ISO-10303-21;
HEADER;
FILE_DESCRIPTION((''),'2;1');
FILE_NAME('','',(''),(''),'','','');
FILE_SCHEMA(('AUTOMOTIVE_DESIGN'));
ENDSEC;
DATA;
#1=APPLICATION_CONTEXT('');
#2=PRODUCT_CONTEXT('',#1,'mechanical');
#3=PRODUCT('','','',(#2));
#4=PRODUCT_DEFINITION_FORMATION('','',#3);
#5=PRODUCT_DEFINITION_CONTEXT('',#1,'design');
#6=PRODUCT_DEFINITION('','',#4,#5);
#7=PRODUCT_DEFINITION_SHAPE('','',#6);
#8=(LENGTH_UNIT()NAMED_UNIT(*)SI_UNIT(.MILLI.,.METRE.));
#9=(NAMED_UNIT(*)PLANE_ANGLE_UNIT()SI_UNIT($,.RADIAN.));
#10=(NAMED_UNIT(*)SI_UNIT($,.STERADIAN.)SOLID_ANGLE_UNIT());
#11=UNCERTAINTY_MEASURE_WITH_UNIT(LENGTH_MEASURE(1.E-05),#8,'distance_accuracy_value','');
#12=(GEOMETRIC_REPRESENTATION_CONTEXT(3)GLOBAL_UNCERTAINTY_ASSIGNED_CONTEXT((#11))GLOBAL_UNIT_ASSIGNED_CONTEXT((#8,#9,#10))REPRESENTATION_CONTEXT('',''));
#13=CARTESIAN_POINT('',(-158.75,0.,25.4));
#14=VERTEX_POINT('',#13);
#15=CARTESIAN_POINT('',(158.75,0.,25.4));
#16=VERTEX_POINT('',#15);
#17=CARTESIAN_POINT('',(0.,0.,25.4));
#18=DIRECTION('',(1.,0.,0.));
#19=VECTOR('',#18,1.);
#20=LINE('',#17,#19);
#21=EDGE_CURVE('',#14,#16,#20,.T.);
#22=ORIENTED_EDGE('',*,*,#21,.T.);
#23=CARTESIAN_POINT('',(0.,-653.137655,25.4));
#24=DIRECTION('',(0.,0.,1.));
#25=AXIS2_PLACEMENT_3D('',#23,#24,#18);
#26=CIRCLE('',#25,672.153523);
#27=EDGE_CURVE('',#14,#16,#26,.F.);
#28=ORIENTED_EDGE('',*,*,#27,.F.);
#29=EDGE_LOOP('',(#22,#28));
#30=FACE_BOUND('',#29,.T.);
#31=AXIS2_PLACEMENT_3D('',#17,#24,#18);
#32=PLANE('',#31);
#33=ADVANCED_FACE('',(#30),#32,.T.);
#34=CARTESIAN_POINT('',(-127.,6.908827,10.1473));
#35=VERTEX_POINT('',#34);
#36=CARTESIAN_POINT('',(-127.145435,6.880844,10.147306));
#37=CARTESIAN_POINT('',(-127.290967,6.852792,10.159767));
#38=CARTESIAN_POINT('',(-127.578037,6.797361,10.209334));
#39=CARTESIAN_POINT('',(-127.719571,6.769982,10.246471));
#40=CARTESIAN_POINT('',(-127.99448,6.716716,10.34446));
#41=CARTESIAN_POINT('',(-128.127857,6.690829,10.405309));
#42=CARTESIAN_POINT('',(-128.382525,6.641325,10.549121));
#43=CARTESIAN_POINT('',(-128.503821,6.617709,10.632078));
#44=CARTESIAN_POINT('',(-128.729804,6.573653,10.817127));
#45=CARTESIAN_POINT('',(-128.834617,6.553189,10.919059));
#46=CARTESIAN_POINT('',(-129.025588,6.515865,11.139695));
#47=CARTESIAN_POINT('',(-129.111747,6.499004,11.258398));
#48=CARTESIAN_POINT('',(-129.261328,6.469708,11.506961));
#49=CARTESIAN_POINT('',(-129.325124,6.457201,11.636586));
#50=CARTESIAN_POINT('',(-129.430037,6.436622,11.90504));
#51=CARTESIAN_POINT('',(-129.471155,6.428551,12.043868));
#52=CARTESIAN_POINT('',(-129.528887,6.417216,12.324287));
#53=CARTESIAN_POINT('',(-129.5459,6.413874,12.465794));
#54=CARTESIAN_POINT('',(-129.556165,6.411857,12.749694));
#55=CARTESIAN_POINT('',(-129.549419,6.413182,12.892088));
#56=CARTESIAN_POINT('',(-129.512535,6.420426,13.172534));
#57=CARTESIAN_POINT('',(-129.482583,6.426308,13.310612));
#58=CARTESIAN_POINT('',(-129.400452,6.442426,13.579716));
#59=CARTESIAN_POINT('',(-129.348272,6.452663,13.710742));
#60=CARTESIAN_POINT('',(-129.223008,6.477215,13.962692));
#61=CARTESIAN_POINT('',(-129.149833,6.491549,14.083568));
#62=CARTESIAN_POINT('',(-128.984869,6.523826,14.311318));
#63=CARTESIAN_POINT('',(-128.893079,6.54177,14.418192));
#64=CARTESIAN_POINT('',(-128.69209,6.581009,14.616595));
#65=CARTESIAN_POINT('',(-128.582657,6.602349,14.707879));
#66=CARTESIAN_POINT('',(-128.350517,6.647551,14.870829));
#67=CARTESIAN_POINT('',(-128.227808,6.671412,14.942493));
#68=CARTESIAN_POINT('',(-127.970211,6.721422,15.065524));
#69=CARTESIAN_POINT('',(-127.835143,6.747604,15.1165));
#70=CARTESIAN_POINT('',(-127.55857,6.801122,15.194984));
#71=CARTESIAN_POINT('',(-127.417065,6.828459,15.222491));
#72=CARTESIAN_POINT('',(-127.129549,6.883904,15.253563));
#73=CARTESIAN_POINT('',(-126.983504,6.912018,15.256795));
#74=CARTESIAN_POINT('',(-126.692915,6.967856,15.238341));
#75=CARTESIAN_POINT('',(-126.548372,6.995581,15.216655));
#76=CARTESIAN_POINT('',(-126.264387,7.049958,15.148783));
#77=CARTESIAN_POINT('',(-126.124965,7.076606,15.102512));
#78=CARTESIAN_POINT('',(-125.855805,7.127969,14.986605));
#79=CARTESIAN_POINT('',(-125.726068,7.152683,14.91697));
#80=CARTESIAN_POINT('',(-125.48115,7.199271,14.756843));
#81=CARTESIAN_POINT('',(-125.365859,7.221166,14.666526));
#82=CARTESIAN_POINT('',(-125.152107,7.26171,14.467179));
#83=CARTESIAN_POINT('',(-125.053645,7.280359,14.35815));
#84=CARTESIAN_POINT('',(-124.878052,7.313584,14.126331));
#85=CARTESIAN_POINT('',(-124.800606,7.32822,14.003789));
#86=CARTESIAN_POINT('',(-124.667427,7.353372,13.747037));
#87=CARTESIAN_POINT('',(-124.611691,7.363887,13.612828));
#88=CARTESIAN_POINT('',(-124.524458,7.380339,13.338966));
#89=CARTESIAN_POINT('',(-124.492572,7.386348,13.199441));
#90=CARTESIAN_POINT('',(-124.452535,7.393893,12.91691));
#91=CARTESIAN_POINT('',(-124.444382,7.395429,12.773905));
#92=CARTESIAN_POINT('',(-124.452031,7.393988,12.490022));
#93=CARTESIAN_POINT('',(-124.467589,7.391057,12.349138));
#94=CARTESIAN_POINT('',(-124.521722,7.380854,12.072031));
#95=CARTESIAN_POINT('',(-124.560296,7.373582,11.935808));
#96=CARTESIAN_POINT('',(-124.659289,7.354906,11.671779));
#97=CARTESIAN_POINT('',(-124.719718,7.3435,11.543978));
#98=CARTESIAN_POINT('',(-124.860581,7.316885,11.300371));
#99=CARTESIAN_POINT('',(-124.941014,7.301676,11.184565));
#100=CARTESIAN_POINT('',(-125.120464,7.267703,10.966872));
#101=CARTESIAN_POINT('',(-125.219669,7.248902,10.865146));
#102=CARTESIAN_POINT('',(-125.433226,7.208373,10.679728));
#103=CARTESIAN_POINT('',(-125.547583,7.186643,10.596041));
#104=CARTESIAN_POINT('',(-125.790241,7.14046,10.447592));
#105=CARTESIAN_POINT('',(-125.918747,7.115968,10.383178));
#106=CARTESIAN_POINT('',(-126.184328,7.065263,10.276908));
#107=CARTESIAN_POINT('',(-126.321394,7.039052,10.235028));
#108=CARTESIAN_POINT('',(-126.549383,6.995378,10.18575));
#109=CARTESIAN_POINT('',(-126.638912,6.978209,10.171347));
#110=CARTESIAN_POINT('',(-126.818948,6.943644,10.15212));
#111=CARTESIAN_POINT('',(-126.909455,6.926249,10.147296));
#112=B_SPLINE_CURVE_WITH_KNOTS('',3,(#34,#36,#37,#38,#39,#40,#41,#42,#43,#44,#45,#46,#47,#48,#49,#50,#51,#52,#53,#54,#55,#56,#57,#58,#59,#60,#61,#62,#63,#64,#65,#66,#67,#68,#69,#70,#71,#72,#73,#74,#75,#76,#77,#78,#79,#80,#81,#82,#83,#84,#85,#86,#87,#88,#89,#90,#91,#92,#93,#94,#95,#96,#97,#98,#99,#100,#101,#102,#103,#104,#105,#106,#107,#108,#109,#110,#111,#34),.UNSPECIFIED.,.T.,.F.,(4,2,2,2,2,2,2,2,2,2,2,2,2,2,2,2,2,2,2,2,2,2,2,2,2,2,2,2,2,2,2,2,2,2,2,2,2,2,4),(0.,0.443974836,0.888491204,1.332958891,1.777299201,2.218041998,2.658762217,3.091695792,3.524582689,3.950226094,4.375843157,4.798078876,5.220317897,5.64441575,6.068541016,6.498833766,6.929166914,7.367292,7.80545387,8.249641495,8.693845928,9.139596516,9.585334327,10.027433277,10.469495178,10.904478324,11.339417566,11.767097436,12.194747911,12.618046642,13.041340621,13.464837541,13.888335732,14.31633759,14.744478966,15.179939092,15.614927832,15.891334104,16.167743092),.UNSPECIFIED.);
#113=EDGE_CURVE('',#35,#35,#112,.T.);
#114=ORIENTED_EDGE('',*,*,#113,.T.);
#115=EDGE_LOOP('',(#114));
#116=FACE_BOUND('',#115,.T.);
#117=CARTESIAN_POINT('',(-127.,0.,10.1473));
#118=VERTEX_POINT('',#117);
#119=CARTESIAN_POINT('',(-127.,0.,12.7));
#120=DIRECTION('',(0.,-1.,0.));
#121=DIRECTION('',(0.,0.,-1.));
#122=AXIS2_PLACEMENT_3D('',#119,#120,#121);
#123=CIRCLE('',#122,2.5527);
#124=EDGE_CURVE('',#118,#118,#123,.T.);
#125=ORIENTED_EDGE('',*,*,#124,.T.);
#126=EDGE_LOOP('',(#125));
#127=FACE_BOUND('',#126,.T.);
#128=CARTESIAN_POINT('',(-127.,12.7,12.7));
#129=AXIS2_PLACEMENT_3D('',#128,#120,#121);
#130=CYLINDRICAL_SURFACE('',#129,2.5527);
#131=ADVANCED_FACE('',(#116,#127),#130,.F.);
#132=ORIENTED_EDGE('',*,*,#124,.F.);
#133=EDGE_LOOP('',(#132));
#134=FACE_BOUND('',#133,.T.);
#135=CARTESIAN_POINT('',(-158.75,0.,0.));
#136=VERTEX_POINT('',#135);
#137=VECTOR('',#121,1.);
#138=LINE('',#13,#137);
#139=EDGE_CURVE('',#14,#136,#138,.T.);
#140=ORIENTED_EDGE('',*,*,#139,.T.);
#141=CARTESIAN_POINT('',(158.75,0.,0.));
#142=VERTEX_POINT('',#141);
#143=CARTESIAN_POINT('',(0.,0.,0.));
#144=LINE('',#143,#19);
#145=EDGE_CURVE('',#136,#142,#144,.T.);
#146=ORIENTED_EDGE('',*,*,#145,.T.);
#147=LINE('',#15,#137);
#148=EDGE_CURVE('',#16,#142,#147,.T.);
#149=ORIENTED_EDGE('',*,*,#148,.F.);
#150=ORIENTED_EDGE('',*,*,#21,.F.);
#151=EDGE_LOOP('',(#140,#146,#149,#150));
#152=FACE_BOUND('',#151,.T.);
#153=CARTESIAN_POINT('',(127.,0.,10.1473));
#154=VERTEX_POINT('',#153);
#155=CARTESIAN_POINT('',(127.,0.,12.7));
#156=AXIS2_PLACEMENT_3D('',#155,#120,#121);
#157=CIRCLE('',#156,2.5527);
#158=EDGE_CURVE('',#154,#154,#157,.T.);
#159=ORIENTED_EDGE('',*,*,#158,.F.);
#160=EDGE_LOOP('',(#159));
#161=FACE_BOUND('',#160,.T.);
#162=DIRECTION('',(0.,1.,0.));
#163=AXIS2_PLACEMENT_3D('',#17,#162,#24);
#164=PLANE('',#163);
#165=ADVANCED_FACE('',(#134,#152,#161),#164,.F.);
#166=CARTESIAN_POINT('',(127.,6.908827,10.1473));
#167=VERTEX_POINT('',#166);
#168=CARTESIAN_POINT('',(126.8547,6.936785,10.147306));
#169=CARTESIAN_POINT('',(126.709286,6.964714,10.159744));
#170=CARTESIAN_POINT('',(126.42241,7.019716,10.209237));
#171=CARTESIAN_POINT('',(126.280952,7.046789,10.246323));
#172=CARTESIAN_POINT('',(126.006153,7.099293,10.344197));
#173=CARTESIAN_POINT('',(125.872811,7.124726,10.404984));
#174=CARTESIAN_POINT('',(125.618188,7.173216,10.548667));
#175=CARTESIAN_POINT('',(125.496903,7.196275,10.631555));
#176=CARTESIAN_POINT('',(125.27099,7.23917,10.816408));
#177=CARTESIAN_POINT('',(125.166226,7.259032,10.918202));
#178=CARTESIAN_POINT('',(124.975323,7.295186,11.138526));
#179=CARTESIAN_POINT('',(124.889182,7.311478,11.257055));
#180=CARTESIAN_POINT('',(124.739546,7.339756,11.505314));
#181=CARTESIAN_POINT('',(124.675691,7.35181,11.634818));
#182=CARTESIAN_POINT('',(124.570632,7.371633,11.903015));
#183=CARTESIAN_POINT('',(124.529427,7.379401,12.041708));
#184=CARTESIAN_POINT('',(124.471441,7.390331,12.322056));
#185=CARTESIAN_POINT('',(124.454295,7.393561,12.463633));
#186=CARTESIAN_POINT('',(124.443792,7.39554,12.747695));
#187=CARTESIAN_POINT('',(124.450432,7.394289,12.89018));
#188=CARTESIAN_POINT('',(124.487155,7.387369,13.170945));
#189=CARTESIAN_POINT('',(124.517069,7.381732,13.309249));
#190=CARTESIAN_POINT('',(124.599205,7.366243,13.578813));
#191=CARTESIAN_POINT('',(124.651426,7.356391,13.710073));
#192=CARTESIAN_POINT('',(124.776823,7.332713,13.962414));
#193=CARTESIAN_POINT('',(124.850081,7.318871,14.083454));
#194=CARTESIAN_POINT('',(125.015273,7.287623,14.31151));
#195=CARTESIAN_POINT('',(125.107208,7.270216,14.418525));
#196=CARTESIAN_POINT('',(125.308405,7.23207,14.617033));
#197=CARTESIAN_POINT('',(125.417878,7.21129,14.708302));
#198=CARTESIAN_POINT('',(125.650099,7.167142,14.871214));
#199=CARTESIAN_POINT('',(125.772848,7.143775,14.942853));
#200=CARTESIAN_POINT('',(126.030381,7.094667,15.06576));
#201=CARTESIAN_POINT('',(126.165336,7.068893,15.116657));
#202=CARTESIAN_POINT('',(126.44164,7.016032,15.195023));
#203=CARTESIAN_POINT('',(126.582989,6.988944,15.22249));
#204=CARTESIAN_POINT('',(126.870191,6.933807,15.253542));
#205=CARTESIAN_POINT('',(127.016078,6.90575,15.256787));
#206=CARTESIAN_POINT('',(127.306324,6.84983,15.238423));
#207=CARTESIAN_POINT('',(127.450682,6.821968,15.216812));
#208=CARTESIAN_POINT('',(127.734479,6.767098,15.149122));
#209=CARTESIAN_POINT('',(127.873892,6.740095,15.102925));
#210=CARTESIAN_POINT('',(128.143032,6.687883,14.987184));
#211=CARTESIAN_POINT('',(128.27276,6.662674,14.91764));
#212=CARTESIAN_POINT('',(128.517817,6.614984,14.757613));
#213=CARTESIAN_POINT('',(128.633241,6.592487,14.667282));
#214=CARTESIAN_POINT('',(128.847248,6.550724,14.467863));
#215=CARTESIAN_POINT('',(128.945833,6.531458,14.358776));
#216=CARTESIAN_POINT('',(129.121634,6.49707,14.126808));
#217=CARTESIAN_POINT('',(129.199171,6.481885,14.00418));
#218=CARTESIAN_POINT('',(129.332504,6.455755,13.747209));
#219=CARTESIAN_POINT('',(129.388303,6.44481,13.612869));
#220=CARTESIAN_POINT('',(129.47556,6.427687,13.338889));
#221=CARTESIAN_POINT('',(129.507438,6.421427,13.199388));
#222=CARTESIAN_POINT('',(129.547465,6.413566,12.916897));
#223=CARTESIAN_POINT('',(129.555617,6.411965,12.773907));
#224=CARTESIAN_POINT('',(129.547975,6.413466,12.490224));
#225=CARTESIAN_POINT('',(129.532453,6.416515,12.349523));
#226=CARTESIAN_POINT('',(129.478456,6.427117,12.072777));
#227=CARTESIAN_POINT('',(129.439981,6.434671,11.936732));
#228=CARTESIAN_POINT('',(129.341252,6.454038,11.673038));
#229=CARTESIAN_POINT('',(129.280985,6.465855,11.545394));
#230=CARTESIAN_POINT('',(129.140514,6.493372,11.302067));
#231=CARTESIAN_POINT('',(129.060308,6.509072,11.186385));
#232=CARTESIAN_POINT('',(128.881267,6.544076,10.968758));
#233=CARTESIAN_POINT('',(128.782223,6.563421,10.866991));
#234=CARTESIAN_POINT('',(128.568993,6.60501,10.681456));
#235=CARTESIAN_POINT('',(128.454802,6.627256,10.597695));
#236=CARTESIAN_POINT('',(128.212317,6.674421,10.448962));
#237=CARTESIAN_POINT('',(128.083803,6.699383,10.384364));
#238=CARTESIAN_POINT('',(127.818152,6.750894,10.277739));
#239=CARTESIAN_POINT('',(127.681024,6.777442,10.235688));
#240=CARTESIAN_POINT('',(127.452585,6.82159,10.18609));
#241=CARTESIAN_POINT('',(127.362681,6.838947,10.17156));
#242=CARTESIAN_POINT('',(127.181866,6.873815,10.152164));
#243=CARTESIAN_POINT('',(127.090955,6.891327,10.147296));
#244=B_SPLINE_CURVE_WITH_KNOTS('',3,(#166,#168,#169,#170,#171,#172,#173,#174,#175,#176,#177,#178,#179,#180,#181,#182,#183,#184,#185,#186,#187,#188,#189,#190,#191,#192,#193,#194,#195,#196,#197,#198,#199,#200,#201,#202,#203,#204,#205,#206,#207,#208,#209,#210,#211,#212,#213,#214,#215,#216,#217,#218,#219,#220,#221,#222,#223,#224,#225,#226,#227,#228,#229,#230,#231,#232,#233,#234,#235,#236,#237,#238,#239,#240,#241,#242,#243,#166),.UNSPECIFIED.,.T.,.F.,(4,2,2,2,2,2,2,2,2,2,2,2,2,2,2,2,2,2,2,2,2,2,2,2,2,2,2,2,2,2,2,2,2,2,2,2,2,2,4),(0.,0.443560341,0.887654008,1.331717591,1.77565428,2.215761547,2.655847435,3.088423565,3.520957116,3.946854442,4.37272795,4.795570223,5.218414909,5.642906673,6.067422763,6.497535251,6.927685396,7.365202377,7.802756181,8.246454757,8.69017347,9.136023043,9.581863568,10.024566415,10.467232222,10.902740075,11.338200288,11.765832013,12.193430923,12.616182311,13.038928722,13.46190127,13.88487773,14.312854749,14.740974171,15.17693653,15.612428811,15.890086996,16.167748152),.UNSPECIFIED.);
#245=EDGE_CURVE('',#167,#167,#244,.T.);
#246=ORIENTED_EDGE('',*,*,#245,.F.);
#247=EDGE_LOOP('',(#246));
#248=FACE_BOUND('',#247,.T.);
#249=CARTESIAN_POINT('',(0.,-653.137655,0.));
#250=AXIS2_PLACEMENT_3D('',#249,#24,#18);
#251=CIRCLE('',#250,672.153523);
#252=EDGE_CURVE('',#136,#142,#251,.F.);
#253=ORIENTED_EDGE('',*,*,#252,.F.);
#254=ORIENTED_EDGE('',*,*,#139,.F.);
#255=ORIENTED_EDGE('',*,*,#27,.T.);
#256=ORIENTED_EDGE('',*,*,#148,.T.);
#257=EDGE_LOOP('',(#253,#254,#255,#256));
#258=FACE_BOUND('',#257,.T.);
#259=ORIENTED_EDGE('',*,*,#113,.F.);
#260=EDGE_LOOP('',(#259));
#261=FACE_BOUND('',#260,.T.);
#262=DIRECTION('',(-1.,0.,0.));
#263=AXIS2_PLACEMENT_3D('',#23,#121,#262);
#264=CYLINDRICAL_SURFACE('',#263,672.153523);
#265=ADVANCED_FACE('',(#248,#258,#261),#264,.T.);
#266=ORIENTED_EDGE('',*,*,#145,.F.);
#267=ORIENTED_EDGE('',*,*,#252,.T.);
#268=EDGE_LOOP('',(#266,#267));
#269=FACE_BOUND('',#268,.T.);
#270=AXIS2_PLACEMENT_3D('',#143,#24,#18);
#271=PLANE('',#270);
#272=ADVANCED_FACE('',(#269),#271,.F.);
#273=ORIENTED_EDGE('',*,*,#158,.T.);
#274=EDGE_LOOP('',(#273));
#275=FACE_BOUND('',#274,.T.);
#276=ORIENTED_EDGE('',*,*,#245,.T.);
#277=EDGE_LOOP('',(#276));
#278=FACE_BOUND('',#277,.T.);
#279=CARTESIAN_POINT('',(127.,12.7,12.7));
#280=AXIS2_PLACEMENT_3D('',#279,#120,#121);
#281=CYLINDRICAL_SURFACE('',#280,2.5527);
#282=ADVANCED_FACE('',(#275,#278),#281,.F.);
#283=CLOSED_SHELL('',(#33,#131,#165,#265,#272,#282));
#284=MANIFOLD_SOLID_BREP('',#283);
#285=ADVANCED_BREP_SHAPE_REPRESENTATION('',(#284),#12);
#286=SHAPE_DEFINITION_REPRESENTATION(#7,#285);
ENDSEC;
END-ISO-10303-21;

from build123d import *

# Parameters (mm, degrees)
BOSS_EXTRUDE3_DEPTH = 25.4
SKETCH2_R           = 4.7625
CUT_EXTRUDE1_DEPTH  = 25.4
SKETCH3_R           = 2.5527
CUT_EXTRUDE2_DEPTH  = 12.7


with BuildPart() as part:
    # Sketch1 → Boss-Extrude3 (new body)
    with BuildSketch(Plane.XY):
        with BuildLine():
            ThreePointArc((-158.75, 0), (0, 19.015868295), (158.75, 0))
            Line((158.75, 0), (-158.75, 0))
        make_face()
    extrude(amount=BOSS_EXTRUDE3_DEPTH)

    # Sketch2 → Cut-Extrude1 (cut)
    with BuildSketch(Plane.XZ):
        with Locations((-180.975, 12.7)):
            Circle(SKETCH2_R)
        with Locations((180.975, 12.7)):
            Circle(SKETCH2_R)
    extrude(amount=-CUT_EXTRUDE1_DEPTH, mode=Mode.SUBTRACT)

    # Sketch3 → Cut-Extrude2 (cut)
    with BuildSketch(Plane.XZ):
        with Locations(Location((-127, 12.7, 0), (0, 0, 270))):
            Circle(SKETCH3_R)
        with Locations(Location((127, 12.7, 0), (0, 0, 270))):
            Circle(SKETCH3_R)
    extrude(amount=-CUT_EXTRUDE2_DEPTH, mode=Mode.SUBTRACT)


solid = part.part
